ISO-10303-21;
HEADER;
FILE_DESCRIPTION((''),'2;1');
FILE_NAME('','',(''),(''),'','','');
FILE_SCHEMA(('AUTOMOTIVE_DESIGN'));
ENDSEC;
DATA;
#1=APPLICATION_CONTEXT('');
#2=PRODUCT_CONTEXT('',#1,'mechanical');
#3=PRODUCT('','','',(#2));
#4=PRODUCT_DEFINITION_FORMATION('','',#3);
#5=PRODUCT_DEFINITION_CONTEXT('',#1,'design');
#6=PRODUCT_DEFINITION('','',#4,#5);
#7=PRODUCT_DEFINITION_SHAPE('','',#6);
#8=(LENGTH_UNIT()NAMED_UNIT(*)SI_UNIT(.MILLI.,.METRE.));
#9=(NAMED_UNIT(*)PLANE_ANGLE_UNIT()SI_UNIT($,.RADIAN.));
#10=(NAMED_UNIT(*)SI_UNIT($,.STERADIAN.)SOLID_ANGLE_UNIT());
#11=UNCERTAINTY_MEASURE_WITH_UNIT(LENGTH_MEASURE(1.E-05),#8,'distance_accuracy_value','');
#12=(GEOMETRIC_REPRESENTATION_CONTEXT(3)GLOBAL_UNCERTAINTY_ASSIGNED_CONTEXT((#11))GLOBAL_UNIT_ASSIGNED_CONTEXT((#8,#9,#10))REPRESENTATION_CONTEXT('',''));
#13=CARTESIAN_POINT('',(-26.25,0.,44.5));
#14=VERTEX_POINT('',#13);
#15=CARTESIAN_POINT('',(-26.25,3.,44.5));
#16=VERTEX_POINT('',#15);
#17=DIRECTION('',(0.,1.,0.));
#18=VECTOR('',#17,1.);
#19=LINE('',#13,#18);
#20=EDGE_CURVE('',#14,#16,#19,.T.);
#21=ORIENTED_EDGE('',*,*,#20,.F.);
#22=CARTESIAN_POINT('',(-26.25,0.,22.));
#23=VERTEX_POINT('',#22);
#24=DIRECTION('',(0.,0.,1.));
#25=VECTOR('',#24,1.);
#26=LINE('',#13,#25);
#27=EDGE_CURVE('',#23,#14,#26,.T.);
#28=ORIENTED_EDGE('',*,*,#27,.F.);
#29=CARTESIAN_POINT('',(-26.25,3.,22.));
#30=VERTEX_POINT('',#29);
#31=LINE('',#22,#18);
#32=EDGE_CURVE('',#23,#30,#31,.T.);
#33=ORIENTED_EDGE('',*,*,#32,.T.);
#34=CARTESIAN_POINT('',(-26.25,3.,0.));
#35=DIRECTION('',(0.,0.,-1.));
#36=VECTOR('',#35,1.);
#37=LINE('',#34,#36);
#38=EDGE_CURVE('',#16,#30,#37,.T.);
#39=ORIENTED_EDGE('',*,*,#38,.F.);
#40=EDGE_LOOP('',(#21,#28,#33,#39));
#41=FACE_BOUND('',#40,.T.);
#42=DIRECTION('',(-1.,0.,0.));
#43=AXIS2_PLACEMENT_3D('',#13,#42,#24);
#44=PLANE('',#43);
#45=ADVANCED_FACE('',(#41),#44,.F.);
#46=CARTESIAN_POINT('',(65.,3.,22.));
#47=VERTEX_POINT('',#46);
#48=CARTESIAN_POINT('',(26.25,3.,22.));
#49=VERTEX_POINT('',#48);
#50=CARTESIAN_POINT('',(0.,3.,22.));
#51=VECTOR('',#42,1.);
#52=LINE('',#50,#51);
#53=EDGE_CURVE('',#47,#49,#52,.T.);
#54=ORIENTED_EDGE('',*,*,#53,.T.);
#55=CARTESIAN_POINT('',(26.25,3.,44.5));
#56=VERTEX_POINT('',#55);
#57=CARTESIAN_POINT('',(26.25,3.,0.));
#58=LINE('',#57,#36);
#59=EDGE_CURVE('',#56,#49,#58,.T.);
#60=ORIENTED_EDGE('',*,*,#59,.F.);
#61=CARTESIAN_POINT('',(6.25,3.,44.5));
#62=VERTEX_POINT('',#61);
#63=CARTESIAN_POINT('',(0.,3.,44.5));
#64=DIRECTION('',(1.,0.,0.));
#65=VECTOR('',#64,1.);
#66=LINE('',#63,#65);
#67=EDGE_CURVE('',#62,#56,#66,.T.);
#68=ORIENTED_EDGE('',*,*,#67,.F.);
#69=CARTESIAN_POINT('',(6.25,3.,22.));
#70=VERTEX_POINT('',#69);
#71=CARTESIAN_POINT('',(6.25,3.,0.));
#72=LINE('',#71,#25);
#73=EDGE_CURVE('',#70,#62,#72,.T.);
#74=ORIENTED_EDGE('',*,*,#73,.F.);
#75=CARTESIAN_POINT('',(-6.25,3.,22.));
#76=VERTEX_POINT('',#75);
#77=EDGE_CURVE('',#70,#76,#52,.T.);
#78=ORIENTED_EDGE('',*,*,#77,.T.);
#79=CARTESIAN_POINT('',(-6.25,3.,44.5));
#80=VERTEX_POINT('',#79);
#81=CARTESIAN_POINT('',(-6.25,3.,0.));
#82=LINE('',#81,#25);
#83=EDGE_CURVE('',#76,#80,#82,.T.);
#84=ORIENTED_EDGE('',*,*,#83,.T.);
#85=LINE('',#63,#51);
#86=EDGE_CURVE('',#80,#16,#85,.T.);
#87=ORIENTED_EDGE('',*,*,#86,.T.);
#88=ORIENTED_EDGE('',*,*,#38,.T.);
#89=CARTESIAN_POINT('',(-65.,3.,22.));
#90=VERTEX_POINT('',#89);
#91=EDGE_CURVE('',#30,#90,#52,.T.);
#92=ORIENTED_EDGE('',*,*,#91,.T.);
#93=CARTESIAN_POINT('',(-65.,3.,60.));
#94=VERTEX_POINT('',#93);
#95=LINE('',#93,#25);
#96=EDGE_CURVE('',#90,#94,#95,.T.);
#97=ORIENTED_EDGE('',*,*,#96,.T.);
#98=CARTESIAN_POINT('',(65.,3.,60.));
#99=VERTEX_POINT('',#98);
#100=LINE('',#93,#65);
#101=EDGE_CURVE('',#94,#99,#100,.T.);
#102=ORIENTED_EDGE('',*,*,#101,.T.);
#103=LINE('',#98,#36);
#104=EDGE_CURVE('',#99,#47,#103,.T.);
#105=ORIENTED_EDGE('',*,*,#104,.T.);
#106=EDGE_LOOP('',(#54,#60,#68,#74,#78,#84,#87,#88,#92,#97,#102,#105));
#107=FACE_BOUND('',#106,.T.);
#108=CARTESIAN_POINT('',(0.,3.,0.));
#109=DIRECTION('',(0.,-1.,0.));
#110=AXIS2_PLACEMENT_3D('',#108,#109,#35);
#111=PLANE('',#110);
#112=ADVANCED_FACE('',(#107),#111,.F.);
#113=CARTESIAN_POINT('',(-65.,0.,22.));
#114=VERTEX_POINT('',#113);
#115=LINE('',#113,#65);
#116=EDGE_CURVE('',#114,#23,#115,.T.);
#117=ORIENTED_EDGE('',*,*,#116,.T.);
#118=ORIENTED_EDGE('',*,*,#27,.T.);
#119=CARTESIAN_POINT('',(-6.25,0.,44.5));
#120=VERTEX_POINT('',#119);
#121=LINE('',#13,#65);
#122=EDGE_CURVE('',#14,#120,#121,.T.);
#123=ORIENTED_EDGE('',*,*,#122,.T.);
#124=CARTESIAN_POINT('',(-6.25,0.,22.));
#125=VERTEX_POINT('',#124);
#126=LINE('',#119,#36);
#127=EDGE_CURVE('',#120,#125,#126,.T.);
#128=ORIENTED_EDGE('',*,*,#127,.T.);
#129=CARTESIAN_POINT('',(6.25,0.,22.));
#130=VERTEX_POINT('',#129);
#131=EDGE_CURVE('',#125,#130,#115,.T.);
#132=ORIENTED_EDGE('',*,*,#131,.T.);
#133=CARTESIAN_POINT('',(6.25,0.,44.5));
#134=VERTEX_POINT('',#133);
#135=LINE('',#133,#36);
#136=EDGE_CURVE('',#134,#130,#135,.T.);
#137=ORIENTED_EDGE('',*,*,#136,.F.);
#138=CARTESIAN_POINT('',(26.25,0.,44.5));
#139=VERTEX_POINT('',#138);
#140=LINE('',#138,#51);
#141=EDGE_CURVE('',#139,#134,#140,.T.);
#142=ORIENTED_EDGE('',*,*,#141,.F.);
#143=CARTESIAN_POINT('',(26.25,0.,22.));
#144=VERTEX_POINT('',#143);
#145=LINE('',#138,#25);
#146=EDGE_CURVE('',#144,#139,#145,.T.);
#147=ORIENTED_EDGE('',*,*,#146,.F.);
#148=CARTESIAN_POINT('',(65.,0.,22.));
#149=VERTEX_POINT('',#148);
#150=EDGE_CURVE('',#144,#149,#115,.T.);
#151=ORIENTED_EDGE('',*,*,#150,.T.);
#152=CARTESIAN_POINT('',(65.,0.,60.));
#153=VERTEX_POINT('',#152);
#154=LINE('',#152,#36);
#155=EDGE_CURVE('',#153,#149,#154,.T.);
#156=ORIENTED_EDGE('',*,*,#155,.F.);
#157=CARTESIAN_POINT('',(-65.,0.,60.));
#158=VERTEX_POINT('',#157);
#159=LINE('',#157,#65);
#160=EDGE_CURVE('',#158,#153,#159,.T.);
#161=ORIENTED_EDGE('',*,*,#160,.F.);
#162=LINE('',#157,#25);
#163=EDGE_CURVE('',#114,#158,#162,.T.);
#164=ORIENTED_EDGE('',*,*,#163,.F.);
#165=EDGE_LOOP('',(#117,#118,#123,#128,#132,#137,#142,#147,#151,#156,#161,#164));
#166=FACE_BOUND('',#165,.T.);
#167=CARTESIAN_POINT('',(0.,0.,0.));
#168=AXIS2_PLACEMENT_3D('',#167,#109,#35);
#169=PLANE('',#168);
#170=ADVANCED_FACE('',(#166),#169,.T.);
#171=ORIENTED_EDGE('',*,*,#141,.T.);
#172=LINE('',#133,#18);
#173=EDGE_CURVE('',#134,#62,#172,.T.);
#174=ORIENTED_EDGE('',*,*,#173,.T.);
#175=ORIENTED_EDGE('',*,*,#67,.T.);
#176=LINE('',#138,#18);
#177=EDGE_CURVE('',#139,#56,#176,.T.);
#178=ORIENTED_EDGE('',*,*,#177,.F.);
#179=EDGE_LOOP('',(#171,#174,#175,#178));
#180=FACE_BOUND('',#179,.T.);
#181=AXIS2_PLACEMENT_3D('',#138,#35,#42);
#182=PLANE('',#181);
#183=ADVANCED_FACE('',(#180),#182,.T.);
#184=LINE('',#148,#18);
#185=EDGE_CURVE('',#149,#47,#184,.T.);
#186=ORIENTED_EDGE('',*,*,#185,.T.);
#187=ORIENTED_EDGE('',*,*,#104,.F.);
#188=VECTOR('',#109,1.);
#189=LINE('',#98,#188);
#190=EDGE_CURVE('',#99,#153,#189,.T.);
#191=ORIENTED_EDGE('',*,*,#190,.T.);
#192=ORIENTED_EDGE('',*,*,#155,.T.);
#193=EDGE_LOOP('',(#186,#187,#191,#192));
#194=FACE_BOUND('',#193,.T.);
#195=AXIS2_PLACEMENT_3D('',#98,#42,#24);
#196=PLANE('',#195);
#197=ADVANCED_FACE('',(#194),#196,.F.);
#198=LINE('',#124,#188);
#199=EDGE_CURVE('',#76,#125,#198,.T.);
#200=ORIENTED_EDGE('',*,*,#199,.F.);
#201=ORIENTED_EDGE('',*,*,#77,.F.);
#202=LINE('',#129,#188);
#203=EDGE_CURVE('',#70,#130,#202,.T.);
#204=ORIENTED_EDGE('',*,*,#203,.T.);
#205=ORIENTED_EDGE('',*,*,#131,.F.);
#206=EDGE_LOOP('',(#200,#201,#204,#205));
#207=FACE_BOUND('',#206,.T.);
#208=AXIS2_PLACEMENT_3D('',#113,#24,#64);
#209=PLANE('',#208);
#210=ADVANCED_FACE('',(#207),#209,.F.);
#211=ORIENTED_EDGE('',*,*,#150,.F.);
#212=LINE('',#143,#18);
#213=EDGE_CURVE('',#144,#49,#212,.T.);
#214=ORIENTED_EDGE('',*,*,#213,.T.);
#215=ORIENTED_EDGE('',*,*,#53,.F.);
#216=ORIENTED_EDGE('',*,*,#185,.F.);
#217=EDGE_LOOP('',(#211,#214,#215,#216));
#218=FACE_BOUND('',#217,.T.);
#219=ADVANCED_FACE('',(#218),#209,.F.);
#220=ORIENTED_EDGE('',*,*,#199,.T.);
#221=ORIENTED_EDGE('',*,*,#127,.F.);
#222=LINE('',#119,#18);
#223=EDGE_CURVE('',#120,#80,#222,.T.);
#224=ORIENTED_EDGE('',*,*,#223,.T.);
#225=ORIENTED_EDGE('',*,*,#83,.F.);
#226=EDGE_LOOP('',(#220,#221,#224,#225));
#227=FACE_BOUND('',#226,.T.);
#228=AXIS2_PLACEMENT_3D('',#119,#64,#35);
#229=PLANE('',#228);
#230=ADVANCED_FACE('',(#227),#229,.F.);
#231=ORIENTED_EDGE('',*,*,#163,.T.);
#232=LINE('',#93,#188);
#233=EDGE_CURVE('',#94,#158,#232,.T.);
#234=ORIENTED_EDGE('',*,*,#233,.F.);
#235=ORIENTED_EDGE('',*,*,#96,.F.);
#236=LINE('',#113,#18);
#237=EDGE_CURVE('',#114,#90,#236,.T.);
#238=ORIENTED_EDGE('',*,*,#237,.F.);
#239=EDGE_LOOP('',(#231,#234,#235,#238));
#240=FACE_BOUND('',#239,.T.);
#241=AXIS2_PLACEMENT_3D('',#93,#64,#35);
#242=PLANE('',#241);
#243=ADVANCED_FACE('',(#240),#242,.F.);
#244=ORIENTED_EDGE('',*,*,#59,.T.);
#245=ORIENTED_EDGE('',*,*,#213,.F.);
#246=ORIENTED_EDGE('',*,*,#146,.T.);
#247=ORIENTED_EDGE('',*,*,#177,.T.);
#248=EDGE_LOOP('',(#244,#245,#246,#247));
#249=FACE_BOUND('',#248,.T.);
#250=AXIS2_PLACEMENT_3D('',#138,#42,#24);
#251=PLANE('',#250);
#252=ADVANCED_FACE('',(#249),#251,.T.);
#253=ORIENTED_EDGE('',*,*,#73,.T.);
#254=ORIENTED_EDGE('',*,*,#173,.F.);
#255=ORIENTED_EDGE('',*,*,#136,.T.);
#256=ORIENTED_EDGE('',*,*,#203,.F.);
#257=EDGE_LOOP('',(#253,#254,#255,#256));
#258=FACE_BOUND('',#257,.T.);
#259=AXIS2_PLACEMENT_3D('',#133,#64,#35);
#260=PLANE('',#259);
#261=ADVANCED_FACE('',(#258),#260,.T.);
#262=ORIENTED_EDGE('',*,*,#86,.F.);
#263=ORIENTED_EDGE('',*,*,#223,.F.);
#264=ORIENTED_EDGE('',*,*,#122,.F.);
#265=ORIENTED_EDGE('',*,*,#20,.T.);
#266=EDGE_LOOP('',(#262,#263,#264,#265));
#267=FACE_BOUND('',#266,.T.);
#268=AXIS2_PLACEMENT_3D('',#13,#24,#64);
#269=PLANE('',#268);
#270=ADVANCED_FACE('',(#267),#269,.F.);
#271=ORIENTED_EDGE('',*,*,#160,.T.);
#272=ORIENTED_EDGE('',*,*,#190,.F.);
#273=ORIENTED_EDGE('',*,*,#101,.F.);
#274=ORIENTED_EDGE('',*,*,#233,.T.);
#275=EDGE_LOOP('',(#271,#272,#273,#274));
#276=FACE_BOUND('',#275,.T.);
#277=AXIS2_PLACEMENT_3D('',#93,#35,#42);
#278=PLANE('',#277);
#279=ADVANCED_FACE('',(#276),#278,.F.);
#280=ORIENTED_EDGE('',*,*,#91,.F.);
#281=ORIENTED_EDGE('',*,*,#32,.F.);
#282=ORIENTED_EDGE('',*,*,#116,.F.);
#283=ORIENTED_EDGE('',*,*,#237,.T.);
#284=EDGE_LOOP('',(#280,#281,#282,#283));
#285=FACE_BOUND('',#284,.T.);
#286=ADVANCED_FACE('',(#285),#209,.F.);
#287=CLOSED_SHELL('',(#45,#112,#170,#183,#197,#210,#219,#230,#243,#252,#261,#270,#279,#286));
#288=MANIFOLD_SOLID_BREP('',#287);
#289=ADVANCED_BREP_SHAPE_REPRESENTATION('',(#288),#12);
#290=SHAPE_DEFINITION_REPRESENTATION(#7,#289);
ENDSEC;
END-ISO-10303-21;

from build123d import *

# Parameters (mm, degrees)
SKETCH1_W               = 130
SKETCH1_H               = 120
BOSS_EXTRUDE1_DEPTH     = 3
CUT_EXTRUDE1_START      = -4
SKETCH2_W               = 20
SKETCH2_H               = 89
CUT_EXTRUDE1_DEPTH      = 5
CUT_EXTRUDE2_START      = -4
SKETCH3_R               = 1.6
CUT_EXTRUDE2_DEPTH      = 5
SKETCH4_W               = 130
SKETCH4_H               = 82
CUT_EXTRUDE3_DEPTH      = 1
CUT_EXTRUDE3_DEPTH_BACK = 4


with BuildPart() as part:
    # Sketch1 → Boss-Extrude1 (new body)
    with BuildSketch(Plane(origin=(0, 0, 0), x_dir=(1, 0, 0), z_dir=(0, 1, 0))):
        Rectangle(SKETCH1_W, SKETCH1_H)
    extrude(amount=BOSS_EXTRUDE1_DEPTH)

    # Sketch2 → Cut-Extrude1 (cut)
    with BuildSketch(Plane(origin=(0, 3, 0), x_dir=(1, 0, 0), z_dir=(0, 1, 0)).offset(CUT_EXTRUDE1_START)):
        with Locations((-16.25, 0)):
            Rectangle(SKETCH2_W, SKETCH2_H)
    cut_extrude1 = extrude(amount=CUT_EXTRUDE1_DEPTH, mode=Mode.SUBTRACT)

    # Mirror1: Cut-Extrude1 across plane
    add(cut_extrude1.mirror(Plane(origin=(0, 0, 0), x_dir=(0, 0, 1), z_dir=(1, 0, 0))), mode=Mode.SUBTRACT)

    # Sketch3 → Cut-Extrude2 (cut)
    with BuildSketch(Plane(origin=(0, 3, 0), x_dir=(1, 0, 0), z_dir=(0, 1, 0)).offset(CUT_EXTRUDE2_START)):
        with Locations((44.5, 0)):
            Circle(SKETCH3_R)
    cut_extrude2 = extrude(amount=CUT_EXTRUDE2_DEPTH, mode=Mode.SUBTRACT)

    # Mirror2: Cut-Extrude2 across plane
    add(cut_extrude2.mirror(Plane(origin=(0, 0, 0), x_dir=(0, 0, 1), z_dir=(1, 0, 0))), mode=Mode.SUBTRACT)

    # Sketch4 → Cut-Extrude3 (cut, two sides)
    with BuildSketch(Plane(origin=(0, 3, 0), x_dir=(1, 0, 0), z_dir=(0, 1, 0))) as cut_extrude3_sk:
        with Locations((0, 19)):
            Rectangle(SKETCH4_W, SKETCH4_H)
    extrude(amount=CUT_EXTRUDE3_DEPTH, mode=Mode.SUBTRACT)
    extrude(cut_extrude3_sk.sketch, amount=-CUT_EXTRUDE3_DEPTH_BACK, mode=Mode.SUBTRACT)


solid = part.part
